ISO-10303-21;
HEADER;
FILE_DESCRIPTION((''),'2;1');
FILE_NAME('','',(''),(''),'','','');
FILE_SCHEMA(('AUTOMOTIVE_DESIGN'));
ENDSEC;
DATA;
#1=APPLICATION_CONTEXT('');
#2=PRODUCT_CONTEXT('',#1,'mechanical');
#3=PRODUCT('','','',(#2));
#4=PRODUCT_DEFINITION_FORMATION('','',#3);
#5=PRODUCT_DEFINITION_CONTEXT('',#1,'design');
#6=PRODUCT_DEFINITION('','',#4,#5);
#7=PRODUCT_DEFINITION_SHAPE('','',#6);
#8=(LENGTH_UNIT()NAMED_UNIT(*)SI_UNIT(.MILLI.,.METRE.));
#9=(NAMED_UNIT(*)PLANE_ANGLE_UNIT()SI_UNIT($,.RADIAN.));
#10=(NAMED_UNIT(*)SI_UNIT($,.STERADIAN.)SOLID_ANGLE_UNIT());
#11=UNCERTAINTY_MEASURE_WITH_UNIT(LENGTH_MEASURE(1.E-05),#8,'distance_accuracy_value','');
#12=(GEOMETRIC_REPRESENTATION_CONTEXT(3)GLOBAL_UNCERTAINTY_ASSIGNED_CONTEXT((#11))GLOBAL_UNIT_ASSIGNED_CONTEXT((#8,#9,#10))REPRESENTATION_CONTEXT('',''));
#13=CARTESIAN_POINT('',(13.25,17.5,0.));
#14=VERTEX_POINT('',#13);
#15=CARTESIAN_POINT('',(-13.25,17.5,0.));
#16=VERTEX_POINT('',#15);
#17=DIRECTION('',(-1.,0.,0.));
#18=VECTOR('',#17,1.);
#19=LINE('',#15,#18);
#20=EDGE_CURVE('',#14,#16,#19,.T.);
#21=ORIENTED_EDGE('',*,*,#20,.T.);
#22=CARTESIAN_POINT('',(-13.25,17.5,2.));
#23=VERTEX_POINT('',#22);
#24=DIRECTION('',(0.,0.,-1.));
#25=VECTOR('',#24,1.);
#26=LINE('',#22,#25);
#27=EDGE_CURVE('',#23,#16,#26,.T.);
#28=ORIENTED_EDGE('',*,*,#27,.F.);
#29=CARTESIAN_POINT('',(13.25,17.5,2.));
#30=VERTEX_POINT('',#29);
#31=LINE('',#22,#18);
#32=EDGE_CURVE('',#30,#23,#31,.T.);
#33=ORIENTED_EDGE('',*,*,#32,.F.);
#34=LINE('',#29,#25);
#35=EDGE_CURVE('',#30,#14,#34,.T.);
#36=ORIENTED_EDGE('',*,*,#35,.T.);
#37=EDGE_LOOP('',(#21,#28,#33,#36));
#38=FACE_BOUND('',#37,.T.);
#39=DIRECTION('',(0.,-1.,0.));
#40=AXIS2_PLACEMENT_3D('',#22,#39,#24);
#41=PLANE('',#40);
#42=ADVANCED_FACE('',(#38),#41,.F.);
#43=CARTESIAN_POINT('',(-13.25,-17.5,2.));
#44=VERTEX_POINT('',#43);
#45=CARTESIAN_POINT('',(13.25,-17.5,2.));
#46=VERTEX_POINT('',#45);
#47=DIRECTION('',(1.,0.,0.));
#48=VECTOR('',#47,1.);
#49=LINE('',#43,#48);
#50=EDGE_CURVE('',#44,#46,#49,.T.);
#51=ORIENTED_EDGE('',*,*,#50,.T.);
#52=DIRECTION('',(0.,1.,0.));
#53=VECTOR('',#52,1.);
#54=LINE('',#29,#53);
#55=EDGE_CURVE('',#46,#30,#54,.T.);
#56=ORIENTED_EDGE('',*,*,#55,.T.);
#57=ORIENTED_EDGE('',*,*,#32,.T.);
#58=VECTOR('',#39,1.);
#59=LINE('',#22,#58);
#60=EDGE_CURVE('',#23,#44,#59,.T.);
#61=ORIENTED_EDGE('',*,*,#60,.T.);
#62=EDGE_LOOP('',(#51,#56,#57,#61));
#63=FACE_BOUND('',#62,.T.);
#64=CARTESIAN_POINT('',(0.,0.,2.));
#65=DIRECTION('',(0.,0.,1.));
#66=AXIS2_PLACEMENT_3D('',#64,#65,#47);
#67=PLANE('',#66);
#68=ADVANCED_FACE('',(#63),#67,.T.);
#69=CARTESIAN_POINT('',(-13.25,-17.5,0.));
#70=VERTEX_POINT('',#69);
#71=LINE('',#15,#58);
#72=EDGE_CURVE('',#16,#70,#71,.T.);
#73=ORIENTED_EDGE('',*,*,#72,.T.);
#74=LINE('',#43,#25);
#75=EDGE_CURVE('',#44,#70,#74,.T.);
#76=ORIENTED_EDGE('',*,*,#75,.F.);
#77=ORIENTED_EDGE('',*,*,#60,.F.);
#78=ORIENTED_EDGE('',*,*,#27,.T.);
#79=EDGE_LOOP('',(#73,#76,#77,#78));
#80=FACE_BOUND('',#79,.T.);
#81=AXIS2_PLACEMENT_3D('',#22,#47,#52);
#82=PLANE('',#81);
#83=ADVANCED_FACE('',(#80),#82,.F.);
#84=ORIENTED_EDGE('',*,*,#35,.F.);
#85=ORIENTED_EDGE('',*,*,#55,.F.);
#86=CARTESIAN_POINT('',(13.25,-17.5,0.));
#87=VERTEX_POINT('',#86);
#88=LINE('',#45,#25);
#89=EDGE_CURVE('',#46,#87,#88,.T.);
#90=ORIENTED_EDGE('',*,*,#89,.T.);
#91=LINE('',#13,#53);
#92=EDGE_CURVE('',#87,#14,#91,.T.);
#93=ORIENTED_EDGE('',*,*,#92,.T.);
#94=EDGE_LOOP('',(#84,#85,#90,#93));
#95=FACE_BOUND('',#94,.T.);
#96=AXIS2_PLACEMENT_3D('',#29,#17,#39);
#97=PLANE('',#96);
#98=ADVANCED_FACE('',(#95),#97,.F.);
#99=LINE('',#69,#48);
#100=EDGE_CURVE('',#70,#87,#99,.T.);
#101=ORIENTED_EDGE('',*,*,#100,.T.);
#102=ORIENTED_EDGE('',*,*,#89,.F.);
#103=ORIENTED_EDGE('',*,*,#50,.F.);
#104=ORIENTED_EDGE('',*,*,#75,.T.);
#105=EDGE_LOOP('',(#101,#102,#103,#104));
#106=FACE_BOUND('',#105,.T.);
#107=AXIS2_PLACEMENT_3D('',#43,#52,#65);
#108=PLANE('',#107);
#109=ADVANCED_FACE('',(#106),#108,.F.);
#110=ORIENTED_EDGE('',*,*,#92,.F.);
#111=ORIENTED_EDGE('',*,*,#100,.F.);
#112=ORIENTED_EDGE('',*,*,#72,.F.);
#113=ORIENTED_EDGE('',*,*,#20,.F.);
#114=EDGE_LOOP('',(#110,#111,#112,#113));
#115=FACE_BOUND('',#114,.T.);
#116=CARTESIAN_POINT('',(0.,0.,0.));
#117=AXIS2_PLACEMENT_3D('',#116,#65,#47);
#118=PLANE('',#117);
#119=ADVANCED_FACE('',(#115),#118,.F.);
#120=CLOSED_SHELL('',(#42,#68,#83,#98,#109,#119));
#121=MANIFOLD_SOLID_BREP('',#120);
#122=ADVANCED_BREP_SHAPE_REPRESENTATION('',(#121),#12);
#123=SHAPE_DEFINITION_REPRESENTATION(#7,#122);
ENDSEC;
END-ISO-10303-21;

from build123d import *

# Parameters (mm, degrees)
SKETCH1_W           = 26.5
SKETCH1_H           = 35
BOSS_EXTRUDE1_DEPTH = 2


with BuildPart() as part:
    # Sketch1 → Boss-Extrude1 (new body)
    with BuildSketch(Plane.XY):
        Rectangle(SKETCH1_W, SKETCH1_H)
    extrude(amount=BOSS_EXTRUDE1_DEPTH)


solid = part.part
